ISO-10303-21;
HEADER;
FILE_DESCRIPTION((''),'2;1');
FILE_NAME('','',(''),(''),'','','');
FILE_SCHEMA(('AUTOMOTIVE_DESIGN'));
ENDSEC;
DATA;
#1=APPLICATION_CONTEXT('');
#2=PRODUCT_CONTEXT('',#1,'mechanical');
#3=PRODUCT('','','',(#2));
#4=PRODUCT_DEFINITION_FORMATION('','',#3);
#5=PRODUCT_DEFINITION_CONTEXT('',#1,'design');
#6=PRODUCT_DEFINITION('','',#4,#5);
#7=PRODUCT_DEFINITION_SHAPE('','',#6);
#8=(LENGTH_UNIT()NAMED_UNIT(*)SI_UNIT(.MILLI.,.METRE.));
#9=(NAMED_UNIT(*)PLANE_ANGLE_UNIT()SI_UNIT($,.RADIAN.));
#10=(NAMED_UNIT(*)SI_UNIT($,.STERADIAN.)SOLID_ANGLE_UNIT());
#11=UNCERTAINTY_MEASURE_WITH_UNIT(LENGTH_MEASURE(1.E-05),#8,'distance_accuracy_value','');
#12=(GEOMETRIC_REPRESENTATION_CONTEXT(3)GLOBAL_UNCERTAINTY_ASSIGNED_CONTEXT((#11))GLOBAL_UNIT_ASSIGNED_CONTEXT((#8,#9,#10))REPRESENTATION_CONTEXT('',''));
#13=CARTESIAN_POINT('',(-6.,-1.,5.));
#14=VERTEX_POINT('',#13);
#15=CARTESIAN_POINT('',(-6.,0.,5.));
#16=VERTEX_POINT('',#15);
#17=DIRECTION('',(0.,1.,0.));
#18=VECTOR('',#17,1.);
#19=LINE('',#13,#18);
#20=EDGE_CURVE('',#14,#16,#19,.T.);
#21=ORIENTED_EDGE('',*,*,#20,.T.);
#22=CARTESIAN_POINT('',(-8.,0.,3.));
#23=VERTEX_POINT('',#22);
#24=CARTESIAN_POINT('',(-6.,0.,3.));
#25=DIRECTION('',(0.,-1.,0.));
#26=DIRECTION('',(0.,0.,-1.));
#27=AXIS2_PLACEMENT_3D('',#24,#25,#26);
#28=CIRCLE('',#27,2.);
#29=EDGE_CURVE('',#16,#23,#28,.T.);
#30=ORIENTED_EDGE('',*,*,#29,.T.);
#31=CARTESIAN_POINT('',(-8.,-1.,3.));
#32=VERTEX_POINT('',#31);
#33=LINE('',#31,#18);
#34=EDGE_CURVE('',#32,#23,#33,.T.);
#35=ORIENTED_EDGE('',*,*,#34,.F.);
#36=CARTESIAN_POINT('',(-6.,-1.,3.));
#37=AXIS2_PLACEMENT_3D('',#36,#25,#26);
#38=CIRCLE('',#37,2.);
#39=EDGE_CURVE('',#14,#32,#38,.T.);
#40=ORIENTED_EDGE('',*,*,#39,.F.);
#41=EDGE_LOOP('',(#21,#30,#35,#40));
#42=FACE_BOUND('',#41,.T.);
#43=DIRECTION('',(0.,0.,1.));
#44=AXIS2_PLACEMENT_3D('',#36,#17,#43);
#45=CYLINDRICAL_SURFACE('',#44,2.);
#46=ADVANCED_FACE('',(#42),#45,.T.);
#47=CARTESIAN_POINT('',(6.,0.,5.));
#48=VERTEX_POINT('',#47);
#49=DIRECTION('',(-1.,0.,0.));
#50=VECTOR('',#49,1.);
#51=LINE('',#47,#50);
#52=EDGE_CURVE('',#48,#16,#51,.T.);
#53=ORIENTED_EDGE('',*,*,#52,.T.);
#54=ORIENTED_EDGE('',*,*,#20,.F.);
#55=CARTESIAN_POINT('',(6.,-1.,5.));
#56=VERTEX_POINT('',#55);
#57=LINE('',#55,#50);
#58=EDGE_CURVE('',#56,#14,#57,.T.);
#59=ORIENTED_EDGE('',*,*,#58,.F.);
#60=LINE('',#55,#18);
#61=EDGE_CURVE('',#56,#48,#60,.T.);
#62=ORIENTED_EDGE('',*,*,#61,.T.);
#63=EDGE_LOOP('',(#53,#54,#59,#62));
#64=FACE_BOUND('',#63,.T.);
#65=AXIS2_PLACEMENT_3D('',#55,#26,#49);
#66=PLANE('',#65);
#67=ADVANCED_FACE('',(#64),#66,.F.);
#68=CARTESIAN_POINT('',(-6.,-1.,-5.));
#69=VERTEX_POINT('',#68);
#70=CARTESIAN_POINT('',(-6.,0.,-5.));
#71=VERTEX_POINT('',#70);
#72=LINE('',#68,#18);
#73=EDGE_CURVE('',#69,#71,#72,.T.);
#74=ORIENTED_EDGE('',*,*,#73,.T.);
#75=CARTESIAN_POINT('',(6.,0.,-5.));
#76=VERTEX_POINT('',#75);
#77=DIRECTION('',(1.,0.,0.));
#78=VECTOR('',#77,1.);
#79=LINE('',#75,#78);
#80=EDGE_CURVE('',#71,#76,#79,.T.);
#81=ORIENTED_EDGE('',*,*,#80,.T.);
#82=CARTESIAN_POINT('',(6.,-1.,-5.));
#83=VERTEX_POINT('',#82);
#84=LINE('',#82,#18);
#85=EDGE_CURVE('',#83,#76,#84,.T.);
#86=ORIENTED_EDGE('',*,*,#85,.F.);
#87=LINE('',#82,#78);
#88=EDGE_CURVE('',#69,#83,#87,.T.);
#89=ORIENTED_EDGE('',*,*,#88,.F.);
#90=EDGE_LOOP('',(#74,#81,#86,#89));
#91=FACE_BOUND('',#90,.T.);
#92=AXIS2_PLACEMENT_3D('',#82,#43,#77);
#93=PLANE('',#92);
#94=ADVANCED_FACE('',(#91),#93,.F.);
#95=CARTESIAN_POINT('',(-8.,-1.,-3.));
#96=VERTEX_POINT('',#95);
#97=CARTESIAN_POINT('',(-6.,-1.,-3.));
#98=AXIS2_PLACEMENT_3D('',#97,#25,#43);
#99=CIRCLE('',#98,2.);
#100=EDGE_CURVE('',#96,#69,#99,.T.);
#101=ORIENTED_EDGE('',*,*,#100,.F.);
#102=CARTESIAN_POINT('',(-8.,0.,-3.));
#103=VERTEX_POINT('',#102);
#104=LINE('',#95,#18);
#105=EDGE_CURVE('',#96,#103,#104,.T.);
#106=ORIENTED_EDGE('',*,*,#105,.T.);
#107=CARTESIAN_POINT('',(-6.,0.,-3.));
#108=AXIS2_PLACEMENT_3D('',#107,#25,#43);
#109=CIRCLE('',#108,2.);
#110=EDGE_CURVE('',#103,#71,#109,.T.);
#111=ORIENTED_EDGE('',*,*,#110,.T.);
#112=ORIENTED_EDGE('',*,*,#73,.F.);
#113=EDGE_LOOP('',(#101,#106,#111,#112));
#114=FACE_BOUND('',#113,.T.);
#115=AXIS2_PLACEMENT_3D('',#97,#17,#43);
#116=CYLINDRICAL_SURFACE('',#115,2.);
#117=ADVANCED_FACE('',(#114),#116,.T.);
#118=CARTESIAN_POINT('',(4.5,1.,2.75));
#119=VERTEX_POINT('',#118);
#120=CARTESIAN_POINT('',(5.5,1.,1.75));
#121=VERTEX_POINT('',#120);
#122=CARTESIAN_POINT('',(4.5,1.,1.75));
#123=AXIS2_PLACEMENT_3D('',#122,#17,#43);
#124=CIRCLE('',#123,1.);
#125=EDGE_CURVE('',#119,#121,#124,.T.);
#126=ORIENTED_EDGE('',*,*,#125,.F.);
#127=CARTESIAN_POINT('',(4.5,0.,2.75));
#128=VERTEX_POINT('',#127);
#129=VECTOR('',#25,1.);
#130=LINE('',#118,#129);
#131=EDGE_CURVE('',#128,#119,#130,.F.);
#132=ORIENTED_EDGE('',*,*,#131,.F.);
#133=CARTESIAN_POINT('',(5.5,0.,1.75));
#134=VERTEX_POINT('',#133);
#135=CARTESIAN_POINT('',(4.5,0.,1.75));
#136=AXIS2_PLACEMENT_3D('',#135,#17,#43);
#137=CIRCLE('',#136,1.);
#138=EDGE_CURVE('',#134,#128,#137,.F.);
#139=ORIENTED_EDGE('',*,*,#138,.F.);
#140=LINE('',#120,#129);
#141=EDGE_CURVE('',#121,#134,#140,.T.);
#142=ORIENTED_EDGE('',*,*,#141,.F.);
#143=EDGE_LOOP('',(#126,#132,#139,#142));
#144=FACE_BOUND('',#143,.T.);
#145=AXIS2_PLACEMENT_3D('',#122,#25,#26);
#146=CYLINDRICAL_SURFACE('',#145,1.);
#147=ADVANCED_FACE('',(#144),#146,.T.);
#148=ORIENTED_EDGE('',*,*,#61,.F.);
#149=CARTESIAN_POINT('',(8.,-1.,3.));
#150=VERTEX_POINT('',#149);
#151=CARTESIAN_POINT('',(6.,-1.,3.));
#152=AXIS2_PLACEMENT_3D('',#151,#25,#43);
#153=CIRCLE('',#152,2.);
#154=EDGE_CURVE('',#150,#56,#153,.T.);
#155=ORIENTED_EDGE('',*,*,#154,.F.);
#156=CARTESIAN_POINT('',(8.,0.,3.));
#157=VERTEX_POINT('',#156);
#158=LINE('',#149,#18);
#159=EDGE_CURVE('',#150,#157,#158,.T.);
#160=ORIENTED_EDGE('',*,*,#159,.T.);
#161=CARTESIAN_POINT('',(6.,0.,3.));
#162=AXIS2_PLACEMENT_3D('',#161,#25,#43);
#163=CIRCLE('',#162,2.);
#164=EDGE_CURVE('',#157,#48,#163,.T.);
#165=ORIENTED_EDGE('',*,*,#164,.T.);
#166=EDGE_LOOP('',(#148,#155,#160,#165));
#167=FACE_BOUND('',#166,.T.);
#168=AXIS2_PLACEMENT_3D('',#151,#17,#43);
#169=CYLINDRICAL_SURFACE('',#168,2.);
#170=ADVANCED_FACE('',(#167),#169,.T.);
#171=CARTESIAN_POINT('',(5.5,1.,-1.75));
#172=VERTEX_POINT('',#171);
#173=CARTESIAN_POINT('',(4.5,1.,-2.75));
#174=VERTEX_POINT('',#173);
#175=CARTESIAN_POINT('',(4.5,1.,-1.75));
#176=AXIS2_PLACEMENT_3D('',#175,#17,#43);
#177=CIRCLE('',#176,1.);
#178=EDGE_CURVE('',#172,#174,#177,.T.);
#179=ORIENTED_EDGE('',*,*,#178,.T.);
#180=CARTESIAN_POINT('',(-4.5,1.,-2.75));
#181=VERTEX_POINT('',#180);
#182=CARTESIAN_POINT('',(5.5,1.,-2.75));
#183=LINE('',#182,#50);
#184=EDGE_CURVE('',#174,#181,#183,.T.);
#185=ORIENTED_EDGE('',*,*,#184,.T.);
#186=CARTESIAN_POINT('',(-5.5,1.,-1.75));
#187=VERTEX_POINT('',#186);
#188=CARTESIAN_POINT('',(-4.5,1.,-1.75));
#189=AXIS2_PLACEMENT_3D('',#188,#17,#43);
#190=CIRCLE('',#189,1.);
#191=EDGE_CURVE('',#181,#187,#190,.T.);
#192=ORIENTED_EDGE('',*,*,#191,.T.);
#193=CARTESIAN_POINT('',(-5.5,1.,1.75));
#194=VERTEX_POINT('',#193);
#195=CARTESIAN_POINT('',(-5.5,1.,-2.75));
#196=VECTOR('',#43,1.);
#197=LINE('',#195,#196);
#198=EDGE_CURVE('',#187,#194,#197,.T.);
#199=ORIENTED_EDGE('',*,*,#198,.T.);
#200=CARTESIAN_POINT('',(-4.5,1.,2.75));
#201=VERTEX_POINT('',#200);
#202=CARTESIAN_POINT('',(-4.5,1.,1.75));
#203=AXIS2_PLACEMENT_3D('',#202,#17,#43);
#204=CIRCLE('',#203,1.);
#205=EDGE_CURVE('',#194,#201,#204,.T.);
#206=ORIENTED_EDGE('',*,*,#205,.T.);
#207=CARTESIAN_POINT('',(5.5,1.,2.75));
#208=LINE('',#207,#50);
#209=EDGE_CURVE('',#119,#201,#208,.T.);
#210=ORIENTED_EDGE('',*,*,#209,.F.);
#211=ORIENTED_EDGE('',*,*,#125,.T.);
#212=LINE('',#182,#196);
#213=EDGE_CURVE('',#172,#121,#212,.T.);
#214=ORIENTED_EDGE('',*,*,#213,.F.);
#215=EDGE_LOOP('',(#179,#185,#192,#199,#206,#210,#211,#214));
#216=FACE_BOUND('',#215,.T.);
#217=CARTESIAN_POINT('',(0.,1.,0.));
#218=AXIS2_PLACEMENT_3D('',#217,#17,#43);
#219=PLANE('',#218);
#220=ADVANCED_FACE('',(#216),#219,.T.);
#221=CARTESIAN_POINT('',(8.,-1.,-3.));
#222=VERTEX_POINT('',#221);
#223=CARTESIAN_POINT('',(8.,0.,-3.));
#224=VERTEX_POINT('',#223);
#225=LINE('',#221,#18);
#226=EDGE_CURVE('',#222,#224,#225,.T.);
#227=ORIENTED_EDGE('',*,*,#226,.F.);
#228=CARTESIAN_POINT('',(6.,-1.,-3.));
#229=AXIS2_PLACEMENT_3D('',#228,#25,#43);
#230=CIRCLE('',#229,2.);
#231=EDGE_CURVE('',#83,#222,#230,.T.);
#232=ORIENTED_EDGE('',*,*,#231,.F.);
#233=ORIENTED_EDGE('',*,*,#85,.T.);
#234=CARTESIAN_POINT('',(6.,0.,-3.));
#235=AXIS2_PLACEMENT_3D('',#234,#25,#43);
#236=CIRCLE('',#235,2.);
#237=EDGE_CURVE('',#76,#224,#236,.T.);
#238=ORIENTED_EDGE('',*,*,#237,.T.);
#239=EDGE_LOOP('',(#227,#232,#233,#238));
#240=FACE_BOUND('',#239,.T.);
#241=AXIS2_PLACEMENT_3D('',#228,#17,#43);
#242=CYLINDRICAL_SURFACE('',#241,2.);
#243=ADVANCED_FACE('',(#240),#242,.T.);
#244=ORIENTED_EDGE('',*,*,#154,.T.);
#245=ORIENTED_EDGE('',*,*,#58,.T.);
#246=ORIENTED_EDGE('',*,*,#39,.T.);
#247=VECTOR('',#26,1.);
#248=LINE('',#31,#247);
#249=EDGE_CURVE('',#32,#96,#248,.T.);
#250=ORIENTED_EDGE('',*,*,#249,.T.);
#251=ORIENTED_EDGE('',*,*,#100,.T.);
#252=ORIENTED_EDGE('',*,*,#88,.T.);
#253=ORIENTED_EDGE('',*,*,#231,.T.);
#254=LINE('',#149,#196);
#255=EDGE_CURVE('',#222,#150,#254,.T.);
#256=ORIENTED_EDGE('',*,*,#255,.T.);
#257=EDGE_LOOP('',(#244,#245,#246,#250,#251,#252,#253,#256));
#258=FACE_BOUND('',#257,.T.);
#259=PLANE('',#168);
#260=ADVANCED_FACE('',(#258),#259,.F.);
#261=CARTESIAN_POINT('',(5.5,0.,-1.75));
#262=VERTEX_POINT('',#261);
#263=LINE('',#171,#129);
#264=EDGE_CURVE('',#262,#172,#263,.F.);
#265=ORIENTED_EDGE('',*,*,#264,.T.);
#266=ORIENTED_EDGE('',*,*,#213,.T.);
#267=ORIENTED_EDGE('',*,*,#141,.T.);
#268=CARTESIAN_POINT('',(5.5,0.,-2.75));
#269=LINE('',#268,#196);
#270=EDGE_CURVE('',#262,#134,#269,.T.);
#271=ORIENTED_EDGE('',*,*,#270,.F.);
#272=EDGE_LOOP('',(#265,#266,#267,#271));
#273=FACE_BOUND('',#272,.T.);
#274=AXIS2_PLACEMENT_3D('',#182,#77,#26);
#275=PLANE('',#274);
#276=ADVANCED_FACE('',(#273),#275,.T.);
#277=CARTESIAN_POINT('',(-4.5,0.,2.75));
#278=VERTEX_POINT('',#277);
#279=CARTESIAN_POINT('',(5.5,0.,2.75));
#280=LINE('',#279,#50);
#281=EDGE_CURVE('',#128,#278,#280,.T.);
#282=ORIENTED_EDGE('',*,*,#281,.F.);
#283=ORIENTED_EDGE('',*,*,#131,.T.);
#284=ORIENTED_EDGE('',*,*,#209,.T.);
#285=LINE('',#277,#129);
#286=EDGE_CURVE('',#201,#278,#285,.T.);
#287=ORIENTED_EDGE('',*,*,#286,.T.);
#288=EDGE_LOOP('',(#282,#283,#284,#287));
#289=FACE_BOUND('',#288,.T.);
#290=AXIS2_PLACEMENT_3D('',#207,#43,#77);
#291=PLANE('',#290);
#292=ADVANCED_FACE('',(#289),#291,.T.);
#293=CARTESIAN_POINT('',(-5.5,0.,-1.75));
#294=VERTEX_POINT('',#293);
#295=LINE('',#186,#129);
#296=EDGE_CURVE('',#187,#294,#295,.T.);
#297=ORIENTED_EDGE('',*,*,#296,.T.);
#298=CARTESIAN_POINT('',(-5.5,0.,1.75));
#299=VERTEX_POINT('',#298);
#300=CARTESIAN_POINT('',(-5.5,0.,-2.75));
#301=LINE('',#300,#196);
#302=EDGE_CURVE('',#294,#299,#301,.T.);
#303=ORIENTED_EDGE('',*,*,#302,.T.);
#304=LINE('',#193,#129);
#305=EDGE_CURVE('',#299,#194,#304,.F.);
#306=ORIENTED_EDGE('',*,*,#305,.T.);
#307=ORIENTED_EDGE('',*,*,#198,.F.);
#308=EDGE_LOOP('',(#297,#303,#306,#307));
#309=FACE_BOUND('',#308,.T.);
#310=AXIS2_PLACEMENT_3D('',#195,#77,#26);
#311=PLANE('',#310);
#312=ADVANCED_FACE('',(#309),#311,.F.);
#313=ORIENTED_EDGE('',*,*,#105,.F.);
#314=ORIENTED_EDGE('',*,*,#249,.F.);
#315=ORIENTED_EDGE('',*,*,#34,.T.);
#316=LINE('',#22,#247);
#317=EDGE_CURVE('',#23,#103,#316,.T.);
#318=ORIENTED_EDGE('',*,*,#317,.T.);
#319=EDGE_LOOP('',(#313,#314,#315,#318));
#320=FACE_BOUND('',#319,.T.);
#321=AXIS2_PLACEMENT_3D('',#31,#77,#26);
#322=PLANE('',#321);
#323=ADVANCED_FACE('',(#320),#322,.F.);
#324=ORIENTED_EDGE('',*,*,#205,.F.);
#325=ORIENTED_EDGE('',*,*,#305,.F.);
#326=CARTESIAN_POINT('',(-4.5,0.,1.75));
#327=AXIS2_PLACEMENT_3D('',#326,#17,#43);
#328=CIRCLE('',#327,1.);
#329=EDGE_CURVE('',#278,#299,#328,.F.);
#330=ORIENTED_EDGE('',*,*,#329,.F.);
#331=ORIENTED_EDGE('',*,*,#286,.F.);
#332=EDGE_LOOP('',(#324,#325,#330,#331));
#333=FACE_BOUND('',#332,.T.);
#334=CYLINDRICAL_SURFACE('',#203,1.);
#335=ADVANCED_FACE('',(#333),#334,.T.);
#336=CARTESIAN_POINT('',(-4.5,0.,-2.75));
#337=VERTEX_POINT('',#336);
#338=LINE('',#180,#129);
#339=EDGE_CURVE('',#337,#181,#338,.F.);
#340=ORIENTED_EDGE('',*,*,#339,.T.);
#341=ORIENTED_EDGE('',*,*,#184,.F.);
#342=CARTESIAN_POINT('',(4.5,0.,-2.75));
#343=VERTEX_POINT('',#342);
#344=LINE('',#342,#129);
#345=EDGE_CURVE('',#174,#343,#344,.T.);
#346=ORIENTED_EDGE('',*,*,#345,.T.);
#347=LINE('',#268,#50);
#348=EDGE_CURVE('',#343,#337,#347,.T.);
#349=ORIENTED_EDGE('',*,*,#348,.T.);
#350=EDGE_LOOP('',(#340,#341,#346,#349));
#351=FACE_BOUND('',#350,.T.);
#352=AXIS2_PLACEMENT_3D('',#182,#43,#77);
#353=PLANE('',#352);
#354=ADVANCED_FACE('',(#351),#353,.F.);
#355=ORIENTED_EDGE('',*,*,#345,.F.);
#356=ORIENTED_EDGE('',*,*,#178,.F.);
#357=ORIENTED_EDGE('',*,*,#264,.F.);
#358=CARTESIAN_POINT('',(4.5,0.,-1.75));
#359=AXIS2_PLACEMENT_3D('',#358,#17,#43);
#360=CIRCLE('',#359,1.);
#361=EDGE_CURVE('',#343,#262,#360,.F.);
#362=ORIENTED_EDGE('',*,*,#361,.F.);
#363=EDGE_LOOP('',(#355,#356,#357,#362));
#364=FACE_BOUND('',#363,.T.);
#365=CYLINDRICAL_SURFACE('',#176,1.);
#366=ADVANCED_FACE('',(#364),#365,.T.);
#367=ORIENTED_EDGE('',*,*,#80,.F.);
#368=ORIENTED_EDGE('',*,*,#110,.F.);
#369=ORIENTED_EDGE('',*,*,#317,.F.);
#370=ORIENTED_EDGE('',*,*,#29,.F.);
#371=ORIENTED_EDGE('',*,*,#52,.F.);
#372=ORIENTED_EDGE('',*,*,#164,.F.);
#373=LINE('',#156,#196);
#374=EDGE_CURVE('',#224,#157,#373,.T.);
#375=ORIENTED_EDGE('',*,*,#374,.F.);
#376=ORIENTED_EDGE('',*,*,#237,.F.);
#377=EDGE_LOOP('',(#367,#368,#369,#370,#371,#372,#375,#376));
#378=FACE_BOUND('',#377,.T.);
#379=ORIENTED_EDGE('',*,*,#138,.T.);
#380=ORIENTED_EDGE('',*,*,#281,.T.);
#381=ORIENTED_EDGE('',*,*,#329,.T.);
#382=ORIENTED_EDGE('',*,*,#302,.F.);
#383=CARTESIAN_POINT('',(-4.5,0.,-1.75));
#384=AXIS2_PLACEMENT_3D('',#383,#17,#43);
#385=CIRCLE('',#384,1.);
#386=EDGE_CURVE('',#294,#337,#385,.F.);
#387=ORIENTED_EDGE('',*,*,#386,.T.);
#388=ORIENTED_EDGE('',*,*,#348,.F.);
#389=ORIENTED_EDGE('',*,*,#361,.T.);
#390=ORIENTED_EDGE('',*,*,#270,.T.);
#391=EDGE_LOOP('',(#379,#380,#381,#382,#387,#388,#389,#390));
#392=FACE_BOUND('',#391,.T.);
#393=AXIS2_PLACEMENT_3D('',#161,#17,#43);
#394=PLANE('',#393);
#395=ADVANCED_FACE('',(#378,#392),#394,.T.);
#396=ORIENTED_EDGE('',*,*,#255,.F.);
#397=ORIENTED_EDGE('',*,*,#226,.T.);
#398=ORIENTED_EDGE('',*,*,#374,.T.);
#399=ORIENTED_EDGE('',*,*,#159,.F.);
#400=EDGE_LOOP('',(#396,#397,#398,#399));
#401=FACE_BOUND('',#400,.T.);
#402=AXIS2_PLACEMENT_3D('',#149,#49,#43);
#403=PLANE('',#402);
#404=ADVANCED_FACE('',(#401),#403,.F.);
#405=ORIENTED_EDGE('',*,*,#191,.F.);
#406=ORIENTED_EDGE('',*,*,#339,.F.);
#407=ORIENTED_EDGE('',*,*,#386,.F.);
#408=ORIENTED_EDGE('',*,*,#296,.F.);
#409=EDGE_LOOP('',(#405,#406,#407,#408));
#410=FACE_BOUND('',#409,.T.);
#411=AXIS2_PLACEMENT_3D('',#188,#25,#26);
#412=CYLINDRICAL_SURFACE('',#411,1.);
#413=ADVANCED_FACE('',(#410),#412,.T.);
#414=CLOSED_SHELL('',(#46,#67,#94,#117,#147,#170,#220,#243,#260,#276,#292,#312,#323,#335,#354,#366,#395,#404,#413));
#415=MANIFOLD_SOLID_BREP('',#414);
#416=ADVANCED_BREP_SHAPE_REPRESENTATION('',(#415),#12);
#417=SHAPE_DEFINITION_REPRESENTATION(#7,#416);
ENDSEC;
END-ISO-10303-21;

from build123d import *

# Parameters (mm, degrees)
SKETCH1_W           = 11
SKETCH1_H           = 5.5
BOSS_EXTRUDE1_DEPTH = 1
BOSS_EXTRUDE2_DEPTH = 1
FILLET1_R           = 1


with BuildPart() as part:
    # Sketch1 → Boss-Extrude1 (new body)
    with BuildSketch(Plane(origin=(0, 0, 0), x_dir=(1, 0, 0), z_dir=(0, 1, 0))):
        Rectangle(SKETCH1_W, SKETCH1_H)
    extrude(amount=BOSS_EXTRUDE1_DEPTH)

    # Sketch2 → Boss-Extrude2 (add)
    with BuildSketch(Plane.XZ):
        with BuildLine():
            Line((6, 5), (-6, 5))
            ThreePointArc((-6, 5), (-7.414213562, 4.414213562), (-8, 3))
            Line((-8, 3), (-8, -3))
            ThreePointArc((-8, -3), (-7.414213562, -4.414213562), (-6, -5))
            Line((-6, -5), (6, -5))
            ThreePointArc((6, -5), (7.414213562, -4.414213562), (8, -3))
            Line((8, -3), (8, 3))
            ThreePointArc((8, 3), (7.414213562, 4.414213562), (6, 5))
        make_face()
    extrude(amount=BOSS_EXTRUDE2_DEPTH)

    # Fillet1
    fillet1_edges = [part.edges().sort_by_distance(p)[0] for p in [
        (5.5, 0.5, 2.75),
        (5.5, 0.5, -2.75),
        (-5.5, 0.5, -2.75),
        (-5.5, 0.5, 2.75),
    ]]
    fillet(fillet1_edges, radius=FILLET1_R)


solid = part.part
